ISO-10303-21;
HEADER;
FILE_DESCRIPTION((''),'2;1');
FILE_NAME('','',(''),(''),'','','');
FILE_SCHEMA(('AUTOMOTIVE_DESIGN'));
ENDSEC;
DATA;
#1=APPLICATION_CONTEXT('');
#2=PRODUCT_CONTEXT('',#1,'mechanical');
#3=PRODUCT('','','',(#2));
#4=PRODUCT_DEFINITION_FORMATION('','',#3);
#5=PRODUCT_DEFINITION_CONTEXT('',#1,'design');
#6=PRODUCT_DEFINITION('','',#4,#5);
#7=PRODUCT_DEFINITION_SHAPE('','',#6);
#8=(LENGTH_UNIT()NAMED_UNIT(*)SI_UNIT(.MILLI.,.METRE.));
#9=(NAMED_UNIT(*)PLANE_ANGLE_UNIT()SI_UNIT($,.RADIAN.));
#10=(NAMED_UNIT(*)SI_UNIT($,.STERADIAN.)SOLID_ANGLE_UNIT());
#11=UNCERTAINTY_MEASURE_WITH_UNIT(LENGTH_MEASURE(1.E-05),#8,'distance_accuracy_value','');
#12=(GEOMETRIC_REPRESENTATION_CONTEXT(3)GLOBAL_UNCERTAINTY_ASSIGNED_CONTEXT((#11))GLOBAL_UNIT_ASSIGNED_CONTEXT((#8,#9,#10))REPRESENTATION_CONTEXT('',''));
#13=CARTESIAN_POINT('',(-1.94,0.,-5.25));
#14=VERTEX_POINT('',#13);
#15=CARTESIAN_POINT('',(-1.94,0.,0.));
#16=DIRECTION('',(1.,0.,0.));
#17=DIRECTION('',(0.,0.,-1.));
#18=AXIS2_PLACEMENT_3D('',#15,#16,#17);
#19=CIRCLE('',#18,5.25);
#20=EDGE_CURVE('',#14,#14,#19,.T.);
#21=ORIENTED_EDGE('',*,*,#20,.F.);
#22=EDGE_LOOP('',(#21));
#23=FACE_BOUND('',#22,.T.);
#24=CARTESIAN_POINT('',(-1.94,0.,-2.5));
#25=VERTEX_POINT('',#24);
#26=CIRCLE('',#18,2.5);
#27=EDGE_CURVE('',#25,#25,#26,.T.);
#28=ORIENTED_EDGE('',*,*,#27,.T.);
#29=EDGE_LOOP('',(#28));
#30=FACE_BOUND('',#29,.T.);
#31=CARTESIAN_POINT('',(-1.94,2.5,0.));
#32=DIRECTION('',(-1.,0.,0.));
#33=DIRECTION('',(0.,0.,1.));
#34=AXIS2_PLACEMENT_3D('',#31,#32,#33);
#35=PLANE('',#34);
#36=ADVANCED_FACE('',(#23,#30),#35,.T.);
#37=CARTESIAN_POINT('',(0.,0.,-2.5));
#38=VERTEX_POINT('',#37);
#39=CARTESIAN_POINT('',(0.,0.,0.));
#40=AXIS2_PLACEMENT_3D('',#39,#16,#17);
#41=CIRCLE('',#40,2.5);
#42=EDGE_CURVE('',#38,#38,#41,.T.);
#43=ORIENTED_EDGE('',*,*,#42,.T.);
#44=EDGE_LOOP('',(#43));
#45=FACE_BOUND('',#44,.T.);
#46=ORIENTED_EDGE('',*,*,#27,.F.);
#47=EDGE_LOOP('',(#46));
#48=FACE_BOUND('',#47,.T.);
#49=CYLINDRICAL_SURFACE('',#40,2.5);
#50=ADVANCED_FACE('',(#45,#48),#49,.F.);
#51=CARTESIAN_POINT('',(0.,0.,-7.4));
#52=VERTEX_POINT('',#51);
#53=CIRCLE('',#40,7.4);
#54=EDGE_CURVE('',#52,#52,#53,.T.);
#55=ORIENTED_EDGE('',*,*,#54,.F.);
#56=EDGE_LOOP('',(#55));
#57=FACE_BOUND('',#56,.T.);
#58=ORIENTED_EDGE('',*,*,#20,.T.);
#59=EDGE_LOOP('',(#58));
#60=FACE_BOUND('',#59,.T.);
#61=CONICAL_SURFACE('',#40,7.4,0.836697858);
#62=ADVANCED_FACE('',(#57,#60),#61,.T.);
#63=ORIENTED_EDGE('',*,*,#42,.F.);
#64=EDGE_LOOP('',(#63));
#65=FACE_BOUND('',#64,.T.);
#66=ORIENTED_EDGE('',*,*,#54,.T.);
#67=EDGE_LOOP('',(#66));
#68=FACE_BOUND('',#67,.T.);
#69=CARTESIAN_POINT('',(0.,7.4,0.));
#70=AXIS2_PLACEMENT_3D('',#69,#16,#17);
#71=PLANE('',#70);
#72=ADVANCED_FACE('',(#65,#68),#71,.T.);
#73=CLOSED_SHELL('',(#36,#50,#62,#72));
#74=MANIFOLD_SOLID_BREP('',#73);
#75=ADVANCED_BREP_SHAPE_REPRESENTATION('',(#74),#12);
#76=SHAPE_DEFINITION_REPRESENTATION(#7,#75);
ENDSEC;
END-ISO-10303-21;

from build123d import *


with BuildPart() as part:
    # Sketch2 → Revolve1 (revolve)
    with BuildSketch(Plane.XY, mode=Mode.PRIVATE) as revolve1_sk:
        Polygon((-1.94, 2.5), (-1.94, 5.25), (0, 7.4), (0, 2.5), align=None)
    revolve(revolve1_sk.sketch.rotate(Axis((0, 0, 0), (-1, 0, 0)), 90), axis=Axis((0, 0, 0), (-1, 0, 0)))


solid = part.part
